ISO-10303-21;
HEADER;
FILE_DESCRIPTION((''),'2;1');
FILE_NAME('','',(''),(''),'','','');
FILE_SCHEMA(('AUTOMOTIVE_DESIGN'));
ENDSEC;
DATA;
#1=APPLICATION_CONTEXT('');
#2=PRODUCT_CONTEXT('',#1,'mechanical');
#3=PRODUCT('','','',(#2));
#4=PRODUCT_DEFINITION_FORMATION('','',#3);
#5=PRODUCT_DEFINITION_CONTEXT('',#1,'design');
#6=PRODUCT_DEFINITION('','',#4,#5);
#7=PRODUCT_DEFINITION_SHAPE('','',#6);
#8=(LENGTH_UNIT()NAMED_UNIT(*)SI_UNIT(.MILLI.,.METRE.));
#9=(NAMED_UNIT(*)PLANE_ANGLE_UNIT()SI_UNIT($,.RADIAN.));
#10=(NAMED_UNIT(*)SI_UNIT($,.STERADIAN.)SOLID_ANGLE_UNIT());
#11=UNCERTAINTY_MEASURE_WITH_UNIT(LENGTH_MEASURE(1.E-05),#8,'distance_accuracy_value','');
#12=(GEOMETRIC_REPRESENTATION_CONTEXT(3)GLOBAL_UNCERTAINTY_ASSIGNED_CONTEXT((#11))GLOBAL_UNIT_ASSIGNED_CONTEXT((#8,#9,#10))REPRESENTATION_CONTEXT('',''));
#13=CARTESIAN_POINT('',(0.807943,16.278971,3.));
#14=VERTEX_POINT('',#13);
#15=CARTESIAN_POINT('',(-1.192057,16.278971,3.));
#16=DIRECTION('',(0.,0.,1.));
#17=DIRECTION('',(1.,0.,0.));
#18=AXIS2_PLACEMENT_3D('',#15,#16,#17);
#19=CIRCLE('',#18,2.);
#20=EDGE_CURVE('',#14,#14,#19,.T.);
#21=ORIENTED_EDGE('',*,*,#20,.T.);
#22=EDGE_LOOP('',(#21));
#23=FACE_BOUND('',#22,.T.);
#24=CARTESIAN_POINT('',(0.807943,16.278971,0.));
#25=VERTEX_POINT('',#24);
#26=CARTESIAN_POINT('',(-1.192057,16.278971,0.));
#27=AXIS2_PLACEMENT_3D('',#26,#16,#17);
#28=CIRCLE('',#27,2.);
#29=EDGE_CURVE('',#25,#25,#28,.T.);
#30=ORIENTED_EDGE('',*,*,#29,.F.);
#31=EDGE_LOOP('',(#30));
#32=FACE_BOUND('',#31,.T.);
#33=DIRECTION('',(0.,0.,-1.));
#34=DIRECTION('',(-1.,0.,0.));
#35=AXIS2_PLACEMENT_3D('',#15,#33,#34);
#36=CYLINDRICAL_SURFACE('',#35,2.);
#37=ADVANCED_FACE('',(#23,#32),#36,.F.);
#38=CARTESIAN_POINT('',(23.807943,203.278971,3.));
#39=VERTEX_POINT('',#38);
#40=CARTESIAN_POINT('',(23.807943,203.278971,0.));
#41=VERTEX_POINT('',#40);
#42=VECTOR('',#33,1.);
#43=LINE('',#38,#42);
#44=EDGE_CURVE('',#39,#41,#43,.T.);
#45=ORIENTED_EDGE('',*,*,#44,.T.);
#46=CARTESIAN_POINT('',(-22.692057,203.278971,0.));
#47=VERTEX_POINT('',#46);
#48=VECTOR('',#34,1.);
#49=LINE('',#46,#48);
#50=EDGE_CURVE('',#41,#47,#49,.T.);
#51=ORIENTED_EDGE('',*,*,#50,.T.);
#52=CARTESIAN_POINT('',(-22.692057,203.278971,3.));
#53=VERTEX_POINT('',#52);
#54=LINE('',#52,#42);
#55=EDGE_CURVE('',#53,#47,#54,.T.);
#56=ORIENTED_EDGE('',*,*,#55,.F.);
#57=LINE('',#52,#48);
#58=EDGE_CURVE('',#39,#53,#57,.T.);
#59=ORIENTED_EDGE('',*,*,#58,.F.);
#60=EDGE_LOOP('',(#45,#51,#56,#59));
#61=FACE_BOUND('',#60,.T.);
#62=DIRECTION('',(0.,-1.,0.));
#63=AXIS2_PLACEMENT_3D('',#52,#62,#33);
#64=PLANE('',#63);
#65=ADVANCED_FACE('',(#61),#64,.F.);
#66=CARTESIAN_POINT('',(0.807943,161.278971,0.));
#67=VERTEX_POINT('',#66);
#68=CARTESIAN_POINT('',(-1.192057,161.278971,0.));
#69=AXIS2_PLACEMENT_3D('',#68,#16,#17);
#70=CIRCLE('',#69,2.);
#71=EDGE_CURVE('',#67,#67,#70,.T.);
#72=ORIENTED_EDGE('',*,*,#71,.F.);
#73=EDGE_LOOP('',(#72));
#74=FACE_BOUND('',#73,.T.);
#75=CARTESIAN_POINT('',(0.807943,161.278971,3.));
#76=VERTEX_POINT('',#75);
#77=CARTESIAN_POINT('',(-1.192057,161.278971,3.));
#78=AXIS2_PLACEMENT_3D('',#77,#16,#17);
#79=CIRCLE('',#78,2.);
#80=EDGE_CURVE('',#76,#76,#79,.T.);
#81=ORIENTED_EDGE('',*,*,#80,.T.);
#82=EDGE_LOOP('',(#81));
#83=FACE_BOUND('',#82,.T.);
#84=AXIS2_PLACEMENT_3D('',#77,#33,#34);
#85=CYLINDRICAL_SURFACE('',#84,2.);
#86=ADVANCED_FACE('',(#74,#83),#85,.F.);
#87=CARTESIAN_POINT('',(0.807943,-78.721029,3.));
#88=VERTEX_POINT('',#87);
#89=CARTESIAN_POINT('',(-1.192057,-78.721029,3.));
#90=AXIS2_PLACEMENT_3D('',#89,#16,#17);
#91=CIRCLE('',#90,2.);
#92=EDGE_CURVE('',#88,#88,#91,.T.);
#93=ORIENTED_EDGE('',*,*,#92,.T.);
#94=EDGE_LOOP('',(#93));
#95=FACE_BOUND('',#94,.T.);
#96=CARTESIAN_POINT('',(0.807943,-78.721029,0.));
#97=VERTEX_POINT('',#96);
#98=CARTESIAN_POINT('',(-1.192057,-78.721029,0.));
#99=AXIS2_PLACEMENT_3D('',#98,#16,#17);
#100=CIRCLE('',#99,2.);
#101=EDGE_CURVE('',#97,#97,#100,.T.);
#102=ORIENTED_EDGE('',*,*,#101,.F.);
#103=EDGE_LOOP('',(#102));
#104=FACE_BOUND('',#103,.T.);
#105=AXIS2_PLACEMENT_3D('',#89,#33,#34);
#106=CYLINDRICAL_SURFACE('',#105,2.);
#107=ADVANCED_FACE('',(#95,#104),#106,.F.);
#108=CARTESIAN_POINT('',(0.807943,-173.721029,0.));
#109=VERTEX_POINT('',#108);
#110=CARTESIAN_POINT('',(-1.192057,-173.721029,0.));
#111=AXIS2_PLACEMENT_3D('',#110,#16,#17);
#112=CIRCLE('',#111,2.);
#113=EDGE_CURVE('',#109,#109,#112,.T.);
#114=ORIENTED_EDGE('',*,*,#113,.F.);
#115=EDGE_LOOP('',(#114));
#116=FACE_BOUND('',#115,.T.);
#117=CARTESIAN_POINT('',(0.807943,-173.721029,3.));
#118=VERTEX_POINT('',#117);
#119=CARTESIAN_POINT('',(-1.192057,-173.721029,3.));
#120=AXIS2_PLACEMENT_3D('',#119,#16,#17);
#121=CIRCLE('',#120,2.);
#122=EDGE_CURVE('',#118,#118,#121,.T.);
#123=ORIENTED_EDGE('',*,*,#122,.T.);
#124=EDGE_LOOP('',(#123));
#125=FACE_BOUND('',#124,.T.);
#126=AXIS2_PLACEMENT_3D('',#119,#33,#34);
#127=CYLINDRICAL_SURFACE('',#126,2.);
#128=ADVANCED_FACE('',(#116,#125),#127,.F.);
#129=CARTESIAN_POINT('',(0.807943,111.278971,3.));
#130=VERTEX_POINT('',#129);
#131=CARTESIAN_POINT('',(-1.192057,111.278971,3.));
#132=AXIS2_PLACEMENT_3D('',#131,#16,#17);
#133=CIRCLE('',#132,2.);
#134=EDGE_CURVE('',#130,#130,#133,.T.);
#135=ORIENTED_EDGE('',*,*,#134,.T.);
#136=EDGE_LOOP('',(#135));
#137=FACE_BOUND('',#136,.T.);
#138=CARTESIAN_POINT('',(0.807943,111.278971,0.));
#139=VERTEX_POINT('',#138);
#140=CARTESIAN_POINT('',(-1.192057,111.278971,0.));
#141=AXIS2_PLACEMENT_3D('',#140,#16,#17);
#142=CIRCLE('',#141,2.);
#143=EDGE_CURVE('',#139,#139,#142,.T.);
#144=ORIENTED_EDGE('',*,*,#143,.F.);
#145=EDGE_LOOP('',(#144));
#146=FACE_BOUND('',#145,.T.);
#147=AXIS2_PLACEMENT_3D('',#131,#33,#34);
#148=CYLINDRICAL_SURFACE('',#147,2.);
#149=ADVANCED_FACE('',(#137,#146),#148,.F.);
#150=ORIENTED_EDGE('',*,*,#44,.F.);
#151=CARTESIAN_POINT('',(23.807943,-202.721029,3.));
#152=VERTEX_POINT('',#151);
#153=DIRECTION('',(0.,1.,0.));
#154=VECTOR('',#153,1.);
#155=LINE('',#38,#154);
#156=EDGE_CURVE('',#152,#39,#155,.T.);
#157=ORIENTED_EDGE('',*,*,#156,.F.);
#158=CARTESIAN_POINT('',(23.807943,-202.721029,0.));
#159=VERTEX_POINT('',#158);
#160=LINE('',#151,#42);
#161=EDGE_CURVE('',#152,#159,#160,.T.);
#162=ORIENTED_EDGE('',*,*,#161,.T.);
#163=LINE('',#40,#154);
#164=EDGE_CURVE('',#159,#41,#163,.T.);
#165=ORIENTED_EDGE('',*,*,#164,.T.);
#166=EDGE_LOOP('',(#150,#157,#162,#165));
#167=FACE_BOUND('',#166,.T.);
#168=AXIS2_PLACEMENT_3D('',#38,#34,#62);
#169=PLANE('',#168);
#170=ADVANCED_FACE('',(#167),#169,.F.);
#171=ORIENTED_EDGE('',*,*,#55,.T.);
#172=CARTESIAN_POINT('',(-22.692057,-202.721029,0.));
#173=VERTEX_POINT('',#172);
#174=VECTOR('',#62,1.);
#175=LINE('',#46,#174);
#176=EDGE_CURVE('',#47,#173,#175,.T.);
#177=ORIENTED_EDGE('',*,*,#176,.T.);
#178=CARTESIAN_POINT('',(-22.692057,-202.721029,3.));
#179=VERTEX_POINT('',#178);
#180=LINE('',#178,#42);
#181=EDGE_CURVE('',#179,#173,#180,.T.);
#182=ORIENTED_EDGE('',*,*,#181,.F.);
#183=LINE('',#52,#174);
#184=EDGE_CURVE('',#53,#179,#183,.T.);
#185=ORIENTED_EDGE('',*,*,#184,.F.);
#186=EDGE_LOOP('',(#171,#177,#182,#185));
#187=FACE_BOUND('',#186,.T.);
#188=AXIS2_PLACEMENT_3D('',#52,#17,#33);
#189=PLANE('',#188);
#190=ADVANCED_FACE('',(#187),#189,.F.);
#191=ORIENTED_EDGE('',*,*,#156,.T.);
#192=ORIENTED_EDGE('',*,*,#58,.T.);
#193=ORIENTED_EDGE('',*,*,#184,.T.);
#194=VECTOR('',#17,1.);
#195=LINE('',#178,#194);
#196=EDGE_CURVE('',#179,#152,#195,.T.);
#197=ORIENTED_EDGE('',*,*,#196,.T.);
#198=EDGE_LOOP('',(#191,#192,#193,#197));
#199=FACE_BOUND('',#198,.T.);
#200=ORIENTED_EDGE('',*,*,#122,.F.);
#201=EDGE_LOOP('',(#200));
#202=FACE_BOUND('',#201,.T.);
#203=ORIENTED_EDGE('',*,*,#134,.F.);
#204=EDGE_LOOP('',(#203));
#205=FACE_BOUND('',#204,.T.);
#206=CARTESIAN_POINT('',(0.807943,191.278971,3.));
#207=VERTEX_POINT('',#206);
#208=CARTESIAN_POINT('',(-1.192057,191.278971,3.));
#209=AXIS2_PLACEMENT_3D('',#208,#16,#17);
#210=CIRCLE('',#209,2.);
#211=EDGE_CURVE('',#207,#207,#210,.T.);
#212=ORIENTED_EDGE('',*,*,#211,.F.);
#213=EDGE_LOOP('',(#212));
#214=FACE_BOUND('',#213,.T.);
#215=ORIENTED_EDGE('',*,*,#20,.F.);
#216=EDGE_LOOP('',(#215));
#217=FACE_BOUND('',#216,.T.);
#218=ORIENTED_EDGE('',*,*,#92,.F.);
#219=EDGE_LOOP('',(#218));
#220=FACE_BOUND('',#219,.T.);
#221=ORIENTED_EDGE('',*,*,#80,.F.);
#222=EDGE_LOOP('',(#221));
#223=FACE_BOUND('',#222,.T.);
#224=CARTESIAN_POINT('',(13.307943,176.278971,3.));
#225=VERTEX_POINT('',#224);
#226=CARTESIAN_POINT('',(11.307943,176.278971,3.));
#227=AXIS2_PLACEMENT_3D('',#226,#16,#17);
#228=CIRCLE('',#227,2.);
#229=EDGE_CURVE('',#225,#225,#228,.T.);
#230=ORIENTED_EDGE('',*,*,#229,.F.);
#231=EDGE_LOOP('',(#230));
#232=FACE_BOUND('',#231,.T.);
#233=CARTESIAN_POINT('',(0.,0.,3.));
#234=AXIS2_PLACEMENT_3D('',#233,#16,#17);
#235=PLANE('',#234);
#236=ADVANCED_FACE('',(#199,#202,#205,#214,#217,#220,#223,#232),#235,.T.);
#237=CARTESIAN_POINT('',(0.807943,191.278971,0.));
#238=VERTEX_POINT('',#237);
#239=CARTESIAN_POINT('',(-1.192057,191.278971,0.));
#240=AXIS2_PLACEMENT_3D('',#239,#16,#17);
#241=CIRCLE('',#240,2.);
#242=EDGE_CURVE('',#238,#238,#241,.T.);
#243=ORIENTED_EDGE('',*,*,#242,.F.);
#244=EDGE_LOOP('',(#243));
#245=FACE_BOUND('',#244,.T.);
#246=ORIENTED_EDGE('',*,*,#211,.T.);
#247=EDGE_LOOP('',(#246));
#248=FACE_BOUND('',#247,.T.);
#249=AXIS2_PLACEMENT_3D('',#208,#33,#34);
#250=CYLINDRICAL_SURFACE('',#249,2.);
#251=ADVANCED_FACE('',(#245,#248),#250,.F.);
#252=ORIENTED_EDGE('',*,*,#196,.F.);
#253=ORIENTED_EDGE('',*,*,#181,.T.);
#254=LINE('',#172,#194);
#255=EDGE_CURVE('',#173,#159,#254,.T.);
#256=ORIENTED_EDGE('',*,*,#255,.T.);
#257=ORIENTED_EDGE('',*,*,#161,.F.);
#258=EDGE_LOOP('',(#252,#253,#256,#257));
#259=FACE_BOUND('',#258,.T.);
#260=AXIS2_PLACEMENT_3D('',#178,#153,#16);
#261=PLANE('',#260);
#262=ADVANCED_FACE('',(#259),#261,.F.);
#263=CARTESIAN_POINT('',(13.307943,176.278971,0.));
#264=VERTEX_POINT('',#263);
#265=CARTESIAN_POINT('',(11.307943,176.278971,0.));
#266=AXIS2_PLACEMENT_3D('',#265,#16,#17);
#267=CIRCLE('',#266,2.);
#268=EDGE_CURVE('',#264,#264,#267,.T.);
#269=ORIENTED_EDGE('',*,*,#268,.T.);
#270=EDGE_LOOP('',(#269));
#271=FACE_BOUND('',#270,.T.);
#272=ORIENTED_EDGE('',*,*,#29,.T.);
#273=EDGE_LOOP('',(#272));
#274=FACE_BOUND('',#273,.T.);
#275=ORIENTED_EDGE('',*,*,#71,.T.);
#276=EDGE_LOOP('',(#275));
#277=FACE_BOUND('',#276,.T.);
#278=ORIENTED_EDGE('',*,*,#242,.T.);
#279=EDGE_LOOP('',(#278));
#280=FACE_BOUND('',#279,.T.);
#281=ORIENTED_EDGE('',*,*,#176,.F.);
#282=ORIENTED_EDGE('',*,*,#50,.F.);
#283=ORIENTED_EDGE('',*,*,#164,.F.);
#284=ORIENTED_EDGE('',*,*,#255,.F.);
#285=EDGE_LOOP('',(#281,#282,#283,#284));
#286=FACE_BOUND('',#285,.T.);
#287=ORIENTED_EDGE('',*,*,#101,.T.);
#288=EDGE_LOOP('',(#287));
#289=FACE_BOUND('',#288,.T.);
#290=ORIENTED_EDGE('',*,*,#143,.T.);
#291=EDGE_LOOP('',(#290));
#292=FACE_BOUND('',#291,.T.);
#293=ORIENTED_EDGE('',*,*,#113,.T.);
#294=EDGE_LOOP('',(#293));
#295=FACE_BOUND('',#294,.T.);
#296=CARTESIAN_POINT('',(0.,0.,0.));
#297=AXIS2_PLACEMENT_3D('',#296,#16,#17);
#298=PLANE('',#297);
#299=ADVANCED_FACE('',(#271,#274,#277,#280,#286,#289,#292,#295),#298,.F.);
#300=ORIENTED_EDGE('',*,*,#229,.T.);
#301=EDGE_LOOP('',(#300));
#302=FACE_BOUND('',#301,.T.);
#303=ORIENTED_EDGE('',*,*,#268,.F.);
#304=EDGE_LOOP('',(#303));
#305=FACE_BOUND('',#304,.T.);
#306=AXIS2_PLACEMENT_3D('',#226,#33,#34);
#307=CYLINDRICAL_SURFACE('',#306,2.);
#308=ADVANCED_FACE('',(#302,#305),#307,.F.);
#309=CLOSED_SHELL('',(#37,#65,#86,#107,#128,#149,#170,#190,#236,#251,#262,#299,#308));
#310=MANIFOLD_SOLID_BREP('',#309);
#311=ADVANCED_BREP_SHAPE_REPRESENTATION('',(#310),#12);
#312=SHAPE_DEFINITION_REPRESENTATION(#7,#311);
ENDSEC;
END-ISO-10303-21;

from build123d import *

# Parameters (mm, degrees)
SKETCH1_W           = 46.5
SKETCH1_H           = 406
SKETCH1_R           = 2
BOSS_EXTRUDE1_DEPTH = 3


with BuildPart() as part:
    # Sketch1 → Boss-Extrude1 (new body)
    with BuildSketch(Plane.XY):
        with Locations((0.557942617, 0.278971309)):
            Rectangle(SKETCH1_W, SKETCH1_H)
        with Locations((-1.192057383, 191.278971309)):
            Circle(SKETCH1_R, mode=Mode.SUBTRACT)
        with Locations((11.307942617, 176.278971308)):
            Circle(SKETCH1_R, mode=Mode.SUBTRACT)
        with Locations((-1.192057383, 161.278971308)):
            Circle(SKETCH1_R, mode=Mode.SUBTRACT)
        with Locations((-1.192057383, 111.278971308)):
            Circle(SKETCH1_R, mode=Mode.SUBTRACT)
        with Locations((-1.192057383, 16.278971308)):
            Circle(SKETCH1_R, mode=Mode.SUBTRACT)
        with Locations((-1.192057383, -78.721028692)):
            Circle(SKETCH1_R, mode=Mode.SUBTRACT)
        with Locations((-1.192057383, -173.721028692)):
            Circle(SKETCH1_R, mode=Mode.SUBTRACT)
    extrude(amount=BOSS_EXTRUDE1_DEPTH)


solid = part.part
